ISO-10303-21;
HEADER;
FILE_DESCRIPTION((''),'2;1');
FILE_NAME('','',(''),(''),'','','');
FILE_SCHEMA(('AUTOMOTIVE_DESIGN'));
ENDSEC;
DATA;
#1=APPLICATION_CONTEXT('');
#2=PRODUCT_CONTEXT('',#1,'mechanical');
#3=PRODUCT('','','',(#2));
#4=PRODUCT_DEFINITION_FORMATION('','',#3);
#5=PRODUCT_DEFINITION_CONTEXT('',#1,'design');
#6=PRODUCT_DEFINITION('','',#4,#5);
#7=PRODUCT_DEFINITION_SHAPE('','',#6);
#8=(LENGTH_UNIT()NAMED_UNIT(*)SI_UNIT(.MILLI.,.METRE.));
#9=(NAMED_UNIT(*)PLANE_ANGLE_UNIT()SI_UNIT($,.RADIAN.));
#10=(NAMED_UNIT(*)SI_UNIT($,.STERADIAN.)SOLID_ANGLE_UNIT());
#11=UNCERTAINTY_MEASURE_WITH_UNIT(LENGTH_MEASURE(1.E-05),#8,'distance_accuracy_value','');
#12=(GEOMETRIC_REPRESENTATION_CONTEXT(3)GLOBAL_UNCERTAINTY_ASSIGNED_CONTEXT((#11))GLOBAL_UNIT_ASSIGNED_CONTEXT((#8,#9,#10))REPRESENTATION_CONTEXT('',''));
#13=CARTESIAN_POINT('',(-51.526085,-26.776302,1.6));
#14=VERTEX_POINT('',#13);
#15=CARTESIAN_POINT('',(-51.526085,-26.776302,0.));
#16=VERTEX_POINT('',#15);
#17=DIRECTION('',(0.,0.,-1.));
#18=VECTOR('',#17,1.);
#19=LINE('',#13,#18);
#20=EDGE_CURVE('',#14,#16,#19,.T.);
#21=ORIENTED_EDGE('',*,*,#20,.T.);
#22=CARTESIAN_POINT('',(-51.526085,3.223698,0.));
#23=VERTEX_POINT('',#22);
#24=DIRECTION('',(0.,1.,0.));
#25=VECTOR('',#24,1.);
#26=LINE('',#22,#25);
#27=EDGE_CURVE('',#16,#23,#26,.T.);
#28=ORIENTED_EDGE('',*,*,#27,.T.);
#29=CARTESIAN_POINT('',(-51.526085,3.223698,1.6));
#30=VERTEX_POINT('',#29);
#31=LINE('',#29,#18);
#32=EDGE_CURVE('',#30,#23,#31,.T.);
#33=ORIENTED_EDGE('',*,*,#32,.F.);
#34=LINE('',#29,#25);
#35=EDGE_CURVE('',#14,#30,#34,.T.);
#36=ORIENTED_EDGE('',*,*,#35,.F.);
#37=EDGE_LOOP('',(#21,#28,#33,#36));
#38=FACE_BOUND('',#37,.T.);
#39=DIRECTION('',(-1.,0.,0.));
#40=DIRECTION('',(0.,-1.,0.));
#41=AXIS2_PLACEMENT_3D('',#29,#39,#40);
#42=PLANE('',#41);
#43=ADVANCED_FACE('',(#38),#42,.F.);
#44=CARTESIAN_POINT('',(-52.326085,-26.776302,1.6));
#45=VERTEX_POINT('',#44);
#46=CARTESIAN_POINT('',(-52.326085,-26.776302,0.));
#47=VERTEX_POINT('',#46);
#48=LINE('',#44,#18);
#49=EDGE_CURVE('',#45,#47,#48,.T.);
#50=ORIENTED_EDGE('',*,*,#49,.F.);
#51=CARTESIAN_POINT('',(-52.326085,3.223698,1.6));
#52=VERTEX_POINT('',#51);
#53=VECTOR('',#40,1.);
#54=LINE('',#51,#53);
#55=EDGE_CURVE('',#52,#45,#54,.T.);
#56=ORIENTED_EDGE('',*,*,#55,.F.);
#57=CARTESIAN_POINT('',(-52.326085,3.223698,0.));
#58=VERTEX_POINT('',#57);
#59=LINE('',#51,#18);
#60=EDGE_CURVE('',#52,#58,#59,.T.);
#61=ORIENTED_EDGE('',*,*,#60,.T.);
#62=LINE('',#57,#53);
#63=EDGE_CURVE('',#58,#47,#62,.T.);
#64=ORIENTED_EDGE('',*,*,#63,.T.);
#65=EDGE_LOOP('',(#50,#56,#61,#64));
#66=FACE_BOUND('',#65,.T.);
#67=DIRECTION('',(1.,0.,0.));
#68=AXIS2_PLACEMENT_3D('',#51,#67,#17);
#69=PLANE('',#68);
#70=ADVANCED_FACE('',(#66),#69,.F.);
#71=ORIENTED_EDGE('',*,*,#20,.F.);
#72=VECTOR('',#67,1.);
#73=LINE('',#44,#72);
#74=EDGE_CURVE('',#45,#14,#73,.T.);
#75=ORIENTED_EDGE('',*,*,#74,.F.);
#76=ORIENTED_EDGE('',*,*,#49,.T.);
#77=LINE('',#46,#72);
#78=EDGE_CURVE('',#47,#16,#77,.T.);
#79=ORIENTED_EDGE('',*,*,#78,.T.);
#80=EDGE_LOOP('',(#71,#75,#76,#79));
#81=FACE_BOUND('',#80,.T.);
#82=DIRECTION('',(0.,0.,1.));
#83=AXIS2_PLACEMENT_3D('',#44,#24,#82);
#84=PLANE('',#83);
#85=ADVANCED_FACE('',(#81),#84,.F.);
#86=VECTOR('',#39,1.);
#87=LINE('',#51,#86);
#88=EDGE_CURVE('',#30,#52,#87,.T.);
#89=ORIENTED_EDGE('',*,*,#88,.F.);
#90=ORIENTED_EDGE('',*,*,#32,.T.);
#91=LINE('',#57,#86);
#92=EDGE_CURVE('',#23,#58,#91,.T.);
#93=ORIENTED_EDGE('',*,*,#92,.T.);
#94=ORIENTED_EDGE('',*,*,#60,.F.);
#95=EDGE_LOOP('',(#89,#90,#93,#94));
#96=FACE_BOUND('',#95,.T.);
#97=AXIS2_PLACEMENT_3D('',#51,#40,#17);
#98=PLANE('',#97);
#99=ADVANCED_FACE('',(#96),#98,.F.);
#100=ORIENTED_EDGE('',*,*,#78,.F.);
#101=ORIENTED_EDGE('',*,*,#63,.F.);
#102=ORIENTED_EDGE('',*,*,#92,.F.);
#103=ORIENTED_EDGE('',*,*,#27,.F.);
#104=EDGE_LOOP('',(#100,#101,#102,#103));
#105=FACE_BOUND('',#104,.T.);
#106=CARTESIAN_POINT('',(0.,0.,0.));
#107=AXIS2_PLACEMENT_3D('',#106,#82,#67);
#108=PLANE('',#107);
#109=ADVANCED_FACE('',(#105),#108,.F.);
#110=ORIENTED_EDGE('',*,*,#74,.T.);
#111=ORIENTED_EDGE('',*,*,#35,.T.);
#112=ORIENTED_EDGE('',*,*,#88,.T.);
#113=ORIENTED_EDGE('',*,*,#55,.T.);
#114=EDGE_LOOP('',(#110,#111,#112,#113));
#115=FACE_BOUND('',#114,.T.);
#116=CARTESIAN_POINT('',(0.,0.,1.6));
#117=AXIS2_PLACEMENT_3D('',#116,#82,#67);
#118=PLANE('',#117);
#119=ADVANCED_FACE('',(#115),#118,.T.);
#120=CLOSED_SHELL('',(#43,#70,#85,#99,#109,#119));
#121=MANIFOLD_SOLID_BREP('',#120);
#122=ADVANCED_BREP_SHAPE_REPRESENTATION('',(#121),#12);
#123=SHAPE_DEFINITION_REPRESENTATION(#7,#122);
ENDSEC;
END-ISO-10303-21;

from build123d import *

# Parameters (mm, degrees)
SKETCH1_W           = 0.8
SKETCH1_H           = 30
BOSS_EXTRUDE1_DEPTH = 1.6


with BuildPart() as part:
    # Sketch1 → Boss-Extrude1 (new body)
    with BuildSketch(Plane.XY):
        with Locations((-51.926084731, -11.776301975)):
            Rectangle(SKETCH1_W, SKETCH1_H)
    extrude(amount=BOSS_EXTRUDE1_DEPTH)


solid = part.part
